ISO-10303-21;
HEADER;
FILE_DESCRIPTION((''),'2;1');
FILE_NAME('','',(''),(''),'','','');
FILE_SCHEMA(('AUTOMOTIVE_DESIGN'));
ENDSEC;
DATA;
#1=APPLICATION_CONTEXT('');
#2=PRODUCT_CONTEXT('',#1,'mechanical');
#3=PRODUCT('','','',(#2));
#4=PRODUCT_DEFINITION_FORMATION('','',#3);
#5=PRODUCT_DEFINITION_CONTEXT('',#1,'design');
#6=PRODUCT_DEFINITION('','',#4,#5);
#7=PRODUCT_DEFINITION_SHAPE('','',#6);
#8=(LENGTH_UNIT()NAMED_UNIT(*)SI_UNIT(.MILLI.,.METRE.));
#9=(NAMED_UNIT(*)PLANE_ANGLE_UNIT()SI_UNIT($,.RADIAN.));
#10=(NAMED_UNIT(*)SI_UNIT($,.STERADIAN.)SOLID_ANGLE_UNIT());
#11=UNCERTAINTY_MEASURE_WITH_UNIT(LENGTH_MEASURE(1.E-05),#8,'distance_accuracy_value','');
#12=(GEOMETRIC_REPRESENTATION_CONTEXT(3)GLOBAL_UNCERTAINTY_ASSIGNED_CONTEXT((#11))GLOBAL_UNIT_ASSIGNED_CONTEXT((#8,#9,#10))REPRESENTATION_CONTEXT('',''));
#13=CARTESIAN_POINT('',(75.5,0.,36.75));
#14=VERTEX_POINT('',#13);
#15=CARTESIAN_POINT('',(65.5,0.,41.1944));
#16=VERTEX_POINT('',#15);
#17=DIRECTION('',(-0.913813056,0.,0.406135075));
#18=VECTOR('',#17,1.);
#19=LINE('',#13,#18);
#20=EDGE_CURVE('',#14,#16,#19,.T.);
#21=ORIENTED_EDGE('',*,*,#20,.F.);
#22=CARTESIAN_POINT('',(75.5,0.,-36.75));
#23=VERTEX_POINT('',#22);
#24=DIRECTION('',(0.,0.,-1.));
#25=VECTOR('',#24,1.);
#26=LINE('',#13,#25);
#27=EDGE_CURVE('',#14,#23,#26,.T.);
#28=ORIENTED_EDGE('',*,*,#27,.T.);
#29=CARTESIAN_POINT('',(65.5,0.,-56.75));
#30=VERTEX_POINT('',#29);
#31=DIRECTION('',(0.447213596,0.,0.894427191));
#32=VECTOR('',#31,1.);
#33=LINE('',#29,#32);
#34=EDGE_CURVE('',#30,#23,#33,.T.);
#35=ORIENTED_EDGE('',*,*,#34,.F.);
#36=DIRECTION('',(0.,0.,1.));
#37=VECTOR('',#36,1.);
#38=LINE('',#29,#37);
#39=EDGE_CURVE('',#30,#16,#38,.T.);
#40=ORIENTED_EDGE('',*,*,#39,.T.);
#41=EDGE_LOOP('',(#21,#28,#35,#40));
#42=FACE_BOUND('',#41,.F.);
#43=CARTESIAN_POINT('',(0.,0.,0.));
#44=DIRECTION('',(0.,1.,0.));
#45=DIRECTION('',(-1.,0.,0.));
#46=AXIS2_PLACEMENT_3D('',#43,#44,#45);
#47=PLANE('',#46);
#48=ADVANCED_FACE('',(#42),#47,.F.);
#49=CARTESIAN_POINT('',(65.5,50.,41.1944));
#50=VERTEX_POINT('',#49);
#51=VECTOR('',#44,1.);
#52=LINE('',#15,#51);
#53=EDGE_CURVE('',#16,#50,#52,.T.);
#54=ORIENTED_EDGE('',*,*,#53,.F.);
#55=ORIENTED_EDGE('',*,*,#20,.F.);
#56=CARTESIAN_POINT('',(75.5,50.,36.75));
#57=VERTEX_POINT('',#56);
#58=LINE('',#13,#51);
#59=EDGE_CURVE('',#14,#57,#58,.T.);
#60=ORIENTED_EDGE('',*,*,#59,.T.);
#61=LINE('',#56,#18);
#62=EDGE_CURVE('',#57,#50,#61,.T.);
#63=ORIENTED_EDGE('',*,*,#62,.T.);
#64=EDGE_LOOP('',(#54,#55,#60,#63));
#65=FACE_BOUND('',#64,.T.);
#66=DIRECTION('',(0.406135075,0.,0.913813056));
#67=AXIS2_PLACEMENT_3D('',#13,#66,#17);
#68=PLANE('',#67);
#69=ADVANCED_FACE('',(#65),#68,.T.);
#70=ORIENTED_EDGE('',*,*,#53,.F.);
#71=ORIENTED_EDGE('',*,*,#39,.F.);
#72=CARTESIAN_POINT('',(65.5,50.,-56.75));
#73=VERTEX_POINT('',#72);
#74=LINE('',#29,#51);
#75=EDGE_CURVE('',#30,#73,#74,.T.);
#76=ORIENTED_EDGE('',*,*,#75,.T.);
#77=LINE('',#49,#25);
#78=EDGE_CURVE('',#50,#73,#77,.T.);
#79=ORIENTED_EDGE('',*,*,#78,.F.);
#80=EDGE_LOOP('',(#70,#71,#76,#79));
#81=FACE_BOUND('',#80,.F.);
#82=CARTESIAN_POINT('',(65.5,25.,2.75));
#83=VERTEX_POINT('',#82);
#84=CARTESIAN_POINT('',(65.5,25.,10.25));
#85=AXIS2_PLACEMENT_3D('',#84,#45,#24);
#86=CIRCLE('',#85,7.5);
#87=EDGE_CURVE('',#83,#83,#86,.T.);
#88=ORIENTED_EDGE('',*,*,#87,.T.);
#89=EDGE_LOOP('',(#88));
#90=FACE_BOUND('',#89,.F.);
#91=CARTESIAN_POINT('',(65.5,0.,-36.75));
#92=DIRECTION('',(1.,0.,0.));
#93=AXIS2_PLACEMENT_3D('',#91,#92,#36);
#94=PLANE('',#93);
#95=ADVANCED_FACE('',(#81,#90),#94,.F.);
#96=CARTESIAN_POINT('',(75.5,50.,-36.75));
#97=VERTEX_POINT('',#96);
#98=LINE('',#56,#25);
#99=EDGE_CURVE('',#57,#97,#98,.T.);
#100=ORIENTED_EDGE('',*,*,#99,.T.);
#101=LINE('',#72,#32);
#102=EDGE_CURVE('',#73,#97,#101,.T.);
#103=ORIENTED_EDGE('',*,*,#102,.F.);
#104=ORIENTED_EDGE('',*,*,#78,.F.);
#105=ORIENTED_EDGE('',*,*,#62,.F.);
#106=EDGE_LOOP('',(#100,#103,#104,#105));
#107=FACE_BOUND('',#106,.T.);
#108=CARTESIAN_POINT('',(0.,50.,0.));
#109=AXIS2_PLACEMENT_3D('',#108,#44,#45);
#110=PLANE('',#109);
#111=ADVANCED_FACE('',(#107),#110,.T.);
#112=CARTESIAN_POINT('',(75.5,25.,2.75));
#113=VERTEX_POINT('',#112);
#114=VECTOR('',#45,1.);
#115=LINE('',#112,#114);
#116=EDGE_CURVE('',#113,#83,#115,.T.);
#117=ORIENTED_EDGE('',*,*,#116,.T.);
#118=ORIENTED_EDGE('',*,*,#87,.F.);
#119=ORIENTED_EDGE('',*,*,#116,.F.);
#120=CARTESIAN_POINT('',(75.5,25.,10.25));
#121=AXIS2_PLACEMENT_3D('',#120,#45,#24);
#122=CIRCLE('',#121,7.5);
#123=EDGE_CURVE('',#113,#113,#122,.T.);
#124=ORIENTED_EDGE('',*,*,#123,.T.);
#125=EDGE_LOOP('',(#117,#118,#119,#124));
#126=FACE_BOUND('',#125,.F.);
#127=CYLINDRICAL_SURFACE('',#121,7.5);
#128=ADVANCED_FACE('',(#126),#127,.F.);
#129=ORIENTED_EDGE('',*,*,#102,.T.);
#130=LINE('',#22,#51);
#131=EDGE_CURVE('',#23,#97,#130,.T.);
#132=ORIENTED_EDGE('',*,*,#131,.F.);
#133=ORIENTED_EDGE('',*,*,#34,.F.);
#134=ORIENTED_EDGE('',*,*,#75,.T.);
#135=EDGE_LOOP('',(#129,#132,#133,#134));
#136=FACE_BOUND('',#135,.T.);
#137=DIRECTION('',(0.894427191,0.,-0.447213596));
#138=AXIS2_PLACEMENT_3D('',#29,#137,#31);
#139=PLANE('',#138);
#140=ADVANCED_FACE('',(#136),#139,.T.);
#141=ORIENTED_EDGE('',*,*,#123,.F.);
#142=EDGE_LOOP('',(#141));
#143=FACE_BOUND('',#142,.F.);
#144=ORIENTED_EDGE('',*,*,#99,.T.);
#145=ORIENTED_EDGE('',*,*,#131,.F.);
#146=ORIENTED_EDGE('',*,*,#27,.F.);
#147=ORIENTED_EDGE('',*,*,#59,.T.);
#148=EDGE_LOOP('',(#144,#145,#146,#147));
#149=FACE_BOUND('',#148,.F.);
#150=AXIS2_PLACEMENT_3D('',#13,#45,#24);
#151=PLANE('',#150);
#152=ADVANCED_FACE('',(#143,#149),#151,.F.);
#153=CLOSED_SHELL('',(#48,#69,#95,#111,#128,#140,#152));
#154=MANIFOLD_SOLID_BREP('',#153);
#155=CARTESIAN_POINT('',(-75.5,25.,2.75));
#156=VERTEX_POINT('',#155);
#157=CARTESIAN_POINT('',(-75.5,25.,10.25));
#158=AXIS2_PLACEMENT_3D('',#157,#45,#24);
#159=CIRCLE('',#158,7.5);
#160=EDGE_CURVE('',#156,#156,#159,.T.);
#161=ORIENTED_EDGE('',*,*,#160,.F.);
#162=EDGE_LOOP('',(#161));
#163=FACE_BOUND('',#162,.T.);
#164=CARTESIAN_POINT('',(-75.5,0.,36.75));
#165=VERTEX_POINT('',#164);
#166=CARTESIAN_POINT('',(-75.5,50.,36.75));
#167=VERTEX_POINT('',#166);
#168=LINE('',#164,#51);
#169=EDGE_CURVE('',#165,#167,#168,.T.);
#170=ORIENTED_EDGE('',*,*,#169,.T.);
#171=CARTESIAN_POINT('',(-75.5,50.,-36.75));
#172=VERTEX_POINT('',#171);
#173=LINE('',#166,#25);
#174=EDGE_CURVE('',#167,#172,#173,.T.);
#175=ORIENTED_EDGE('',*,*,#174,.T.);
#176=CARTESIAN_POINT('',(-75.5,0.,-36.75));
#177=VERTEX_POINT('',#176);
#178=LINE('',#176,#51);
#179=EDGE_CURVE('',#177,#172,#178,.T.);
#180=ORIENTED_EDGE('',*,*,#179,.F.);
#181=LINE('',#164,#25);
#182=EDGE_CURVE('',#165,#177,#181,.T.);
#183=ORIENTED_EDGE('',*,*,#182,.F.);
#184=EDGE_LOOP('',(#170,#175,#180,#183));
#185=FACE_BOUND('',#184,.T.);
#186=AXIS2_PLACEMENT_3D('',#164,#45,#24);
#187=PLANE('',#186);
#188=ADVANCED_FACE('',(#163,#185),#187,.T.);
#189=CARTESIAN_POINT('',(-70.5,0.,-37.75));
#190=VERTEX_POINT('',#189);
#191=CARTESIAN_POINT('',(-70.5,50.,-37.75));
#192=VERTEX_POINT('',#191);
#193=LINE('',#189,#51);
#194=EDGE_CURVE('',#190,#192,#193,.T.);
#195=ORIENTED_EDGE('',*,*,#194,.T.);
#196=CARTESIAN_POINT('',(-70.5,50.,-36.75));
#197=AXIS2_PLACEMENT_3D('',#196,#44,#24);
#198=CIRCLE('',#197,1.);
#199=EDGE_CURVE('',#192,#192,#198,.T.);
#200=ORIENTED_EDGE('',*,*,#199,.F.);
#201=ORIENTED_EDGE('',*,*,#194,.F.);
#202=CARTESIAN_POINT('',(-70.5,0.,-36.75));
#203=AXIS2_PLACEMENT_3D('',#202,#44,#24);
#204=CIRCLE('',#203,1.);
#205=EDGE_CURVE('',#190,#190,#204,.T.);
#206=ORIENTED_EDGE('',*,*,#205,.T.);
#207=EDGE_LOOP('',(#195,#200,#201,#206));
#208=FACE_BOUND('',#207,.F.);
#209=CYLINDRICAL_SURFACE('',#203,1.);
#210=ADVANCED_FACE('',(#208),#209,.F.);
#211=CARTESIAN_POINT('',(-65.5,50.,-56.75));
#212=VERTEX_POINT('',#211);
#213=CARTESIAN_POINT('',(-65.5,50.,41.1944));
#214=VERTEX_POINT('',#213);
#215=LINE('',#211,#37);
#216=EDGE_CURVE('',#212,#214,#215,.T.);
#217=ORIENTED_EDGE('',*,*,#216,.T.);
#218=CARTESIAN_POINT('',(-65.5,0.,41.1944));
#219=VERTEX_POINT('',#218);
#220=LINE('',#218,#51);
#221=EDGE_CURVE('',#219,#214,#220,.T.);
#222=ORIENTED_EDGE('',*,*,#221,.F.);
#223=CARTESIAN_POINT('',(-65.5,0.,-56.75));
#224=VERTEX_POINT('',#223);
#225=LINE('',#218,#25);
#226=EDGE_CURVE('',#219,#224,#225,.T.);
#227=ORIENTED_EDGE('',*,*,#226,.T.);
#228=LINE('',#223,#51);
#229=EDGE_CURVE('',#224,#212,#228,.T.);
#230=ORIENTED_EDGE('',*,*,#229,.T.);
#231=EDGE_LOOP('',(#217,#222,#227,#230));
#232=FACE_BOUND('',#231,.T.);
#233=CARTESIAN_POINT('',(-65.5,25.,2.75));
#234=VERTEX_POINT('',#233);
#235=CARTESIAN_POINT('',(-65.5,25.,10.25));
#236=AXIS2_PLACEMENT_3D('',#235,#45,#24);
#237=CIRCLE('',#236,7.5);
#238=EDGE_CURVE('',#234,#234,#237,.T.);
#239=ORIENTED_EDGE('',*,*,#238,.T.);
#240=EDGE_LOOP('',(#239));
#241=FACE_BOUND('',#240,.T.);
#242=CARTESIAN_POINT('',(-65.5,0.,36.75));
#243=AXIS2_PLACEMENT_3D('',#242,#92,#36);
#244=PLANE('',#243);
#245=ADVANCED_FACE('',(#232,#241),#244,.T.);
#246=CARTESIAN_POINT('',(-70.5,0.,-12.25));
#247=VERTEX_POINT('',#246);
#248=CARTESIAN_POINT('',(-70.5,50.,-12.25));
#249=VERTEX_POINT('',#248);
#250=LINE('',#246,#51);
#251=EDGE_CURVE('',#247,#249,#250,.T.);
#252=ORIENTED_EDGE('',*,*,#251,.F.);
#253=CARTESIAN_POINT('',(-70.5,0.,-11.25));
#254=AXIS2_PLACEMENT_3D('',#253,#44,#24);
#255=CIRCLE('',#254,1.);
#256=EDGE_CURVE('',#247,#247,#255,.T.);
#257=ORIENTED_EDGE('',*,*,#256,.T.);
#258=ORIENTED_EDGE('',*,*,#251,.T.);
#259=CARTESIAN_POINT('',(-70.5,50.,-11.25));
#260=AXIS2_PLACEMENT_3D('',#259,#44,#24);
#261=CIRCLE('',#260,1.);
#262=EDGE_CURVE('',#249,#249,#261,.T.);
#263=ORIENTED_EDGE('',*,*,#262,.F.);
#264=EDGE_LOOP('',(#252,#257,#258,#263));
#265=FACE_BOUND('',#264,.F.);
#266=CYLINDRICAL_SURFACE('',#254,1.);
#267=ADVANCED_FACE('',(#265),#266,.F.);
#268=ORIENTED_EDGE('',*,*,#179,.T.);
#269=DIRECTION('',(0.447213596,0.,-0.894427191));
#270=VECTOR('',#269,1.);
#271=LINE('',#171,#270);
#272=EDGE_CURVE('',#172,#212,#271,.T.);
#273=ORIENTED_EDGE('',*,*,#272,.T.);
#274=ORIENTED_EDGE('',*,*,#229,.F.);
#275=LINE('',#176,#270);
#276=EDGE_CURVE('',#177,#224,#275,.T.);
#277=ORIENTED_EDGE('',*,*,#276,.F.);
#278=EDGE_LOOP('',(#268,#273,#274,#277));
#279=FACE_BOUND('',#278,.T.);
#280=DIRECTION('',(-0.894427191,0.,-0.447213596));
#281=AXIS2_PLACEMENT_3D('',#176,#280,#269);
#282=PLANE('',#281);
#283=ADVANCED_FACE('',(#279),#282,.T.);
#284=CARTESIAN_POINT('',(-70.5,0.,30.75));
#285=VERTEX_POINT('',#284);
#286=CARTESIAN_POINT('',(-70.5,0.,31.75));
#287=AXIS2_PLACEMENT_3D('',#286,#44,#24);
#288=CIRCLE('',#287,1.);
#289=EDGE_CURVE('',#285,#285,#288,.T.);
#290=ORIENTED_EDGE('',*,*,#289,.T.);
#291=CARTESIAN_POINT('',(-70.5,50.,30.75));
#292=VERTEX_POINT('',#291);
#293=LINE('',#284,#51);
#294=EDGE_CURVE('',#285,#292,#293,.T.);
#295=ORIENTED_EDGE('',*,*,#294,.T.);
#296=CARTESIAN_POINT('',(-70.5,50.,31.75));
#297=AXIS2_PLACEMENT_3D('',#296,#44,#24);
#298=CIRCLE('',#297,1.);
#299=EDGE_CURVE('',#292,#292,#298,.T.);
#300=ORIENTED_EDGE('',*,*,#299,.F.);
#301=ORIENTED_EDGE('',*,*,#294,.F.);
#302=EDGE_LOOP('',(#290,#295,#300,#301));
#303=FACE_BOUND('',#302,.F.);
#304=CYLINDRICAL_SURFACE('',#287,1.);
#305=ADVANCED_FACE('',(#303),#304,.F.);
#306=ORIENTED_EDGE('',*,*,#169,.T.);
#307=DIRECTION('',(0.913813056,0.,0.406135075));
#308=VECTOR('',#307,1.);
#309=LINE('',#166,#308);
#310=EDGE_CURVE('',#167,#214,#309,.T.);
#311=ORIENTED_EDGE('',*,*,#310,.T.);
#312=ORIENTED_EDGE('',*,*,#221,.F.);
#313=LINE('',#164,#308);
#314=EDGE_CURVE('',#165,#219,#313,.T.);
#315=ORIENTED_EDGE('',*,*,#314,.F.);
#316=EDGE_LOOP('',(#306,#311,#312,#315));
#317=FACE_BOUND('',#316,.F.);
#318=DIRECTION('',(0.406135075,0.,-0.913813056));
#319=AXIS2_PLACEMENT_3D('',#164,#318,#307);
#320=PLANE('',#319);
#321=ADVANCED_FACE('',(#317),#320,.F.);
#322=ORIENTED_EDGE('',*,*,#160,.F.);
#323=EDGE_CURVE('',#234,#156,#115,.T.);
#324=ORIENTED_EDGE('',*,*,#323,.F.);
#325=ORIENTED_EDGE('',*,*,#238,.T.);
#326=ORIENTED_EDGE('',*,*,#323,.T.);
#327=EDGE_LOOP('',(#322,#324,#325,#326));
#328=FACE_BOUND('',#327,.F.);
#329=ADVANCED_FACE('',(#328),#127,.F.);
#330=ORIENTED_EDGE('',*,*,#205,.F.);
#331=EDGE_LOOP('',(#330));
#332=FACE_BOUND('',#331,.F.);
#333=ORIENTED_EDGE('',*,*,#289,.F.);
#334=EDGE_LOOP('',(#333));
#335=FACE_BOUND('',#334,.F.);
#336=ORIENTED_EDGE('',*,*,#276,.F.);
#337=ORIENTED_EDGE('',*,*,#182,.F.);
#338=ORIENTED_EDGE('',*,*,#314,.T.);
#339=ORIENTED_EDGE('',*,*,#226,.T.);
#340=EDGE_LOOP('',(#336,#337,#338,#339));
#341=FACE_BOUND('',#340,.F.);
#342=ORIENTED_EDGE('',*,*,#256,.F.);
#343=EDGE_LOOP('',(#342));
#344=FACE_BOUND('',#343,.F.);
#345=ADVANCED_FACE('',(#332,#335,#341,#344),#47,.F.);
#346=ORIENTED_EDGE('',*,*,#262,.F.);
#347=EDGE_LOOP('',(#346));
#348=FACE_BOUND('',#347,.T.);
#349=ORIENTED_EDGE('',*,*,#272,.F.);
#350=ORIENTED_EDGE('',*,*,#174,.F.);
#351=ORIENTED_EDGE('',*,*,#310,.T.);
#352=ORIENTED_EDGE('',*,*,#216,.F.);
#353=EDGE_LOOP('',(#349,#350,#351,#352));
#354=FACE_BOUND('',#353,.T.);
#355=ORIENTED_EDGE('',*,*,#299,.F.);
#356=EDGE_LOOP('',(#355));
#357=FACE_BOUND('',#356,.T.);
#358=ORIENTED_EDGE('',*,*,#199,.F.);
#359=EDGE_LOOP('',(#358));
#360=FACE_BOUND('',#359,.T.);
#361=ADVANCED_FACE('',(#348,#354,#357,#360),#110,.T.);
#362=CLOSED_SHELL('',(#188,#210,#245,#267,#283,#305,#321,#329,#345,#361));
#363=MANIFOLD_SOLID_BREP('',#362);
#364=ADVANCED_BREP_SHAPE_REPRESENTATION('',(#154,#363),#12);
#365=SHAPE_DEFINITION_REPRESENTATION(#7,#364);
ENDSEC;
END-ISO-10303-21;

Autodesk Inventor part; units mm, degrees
ref_plane "YZ Plane" through (0, 0, 0) normal (1, 0, 0) x (0, 1, 0)
ref_plane "XZ Plane" through (0, 0, 0) normal (0, 1, 0) x (-1, 0, 0)
ref_plane "XY Plane" through (0, 0, 0) normal (0, 0, 1) x (1, 0, 0)
sketch "Sketch1" plane through (0, 0, 0) normal (0, 1, 0) x (-1, 0, 0)
  line L0 (65.5, 36.75) -> (75.5, 36.75)
  line L1 (75.5, 36.75) -> (75.5, -36.75)
  line L2 (75.5, -36.75) -> (65.5, -36.75)
  line L3 (75.5, -36.75) -> (65.5, -56.75)
  line L4 (75.5, 36.75) -> (65.5, 41.1944)
  line L5 (-65.5, 36.75) -> (-75.5, 36.75)
  line L6 (-75.5, 36.75) -> (-75.5, -36.75)
  line L7 (-75.5, -36.75) -> (-65.5, -36.75)
  line L8 (-65.5, -56.75) -> (-75.5, -36.75)
  line L9 (-75.5, 36.75) -> (-65.5, 41.1944)
  line L10 (65.5, -56.75) -> (65.5, 41.1944)
  line L11 (-65.5, -56.75) -> (-65.5, 41.1944)
  dimension "d3" = 10
  dimension "d4" = 73.5
  dimension "d5" = 10
  dimension "d8" = 10
  dimension "d9" = 73.5
extrude "Extrusion1" add sketch "Sketch1" along normal blind 50
sketch "Sketch2" plane through (75.5, 0, 36.75) normal (1, 0, 0) x (0, 0, -1)
  circle A0 centre (26.5, 25) radius 7.5
  dimension "d16" = 15
hole "Hole1" at (75.5, 25, 10.25) direction (-1, 0, 0) diameter 15 depth 151
sketch "Sketch3" plane through (0, 0, 0) normal (0, -1, 0) x (1, 0, 0)
  line L0 (-65.5, -56.75) -> (-75.5, -36.75) projected
  line L1 (-65.5, 41.1944) -> (-65.5, -56.75) projected
  line L2 (-75.5, -36.75) -> (-75.5, 36.75) projected
  line L3 (-75.5, 36.75) -> (-75.5, 31.75)
  line L4 (-75.5, 31.75) -> (-70.5, 31.75)
  line L5 (-75.5, 36.75) -> (-75.5, -11.25)
  line L6 (-75.5, -11.25) -> (-70.5, -11.25)
  line L7 (-75.5, 36.75) -> (-75.5, -36.75)
  line L8 (-75.5, -36.75) -> (-70.5, -36.75)
  circle A0 centre (-70.5, 31.75) radius 3.4428
  circle A1 centre (-70.5, -11.25) radius 5.0721
  circle A2 centre (-70.5, -36.75) radius 4.4721
  point P0 (0, 0)
  dimension "d24" = 5
  dimension "d25" = 5
  dimension "d26" = 48
  dimension "d27" = 5
  dimension "d28" = 5
hole "Hole2" at (-70.5, 0, 31.75) at (-70.5, 0, -11.25) at (-70.5, 0, -36.75) direction (0, 1, 0) diameter 2 depth 50
properties part number "zadni_strana"
